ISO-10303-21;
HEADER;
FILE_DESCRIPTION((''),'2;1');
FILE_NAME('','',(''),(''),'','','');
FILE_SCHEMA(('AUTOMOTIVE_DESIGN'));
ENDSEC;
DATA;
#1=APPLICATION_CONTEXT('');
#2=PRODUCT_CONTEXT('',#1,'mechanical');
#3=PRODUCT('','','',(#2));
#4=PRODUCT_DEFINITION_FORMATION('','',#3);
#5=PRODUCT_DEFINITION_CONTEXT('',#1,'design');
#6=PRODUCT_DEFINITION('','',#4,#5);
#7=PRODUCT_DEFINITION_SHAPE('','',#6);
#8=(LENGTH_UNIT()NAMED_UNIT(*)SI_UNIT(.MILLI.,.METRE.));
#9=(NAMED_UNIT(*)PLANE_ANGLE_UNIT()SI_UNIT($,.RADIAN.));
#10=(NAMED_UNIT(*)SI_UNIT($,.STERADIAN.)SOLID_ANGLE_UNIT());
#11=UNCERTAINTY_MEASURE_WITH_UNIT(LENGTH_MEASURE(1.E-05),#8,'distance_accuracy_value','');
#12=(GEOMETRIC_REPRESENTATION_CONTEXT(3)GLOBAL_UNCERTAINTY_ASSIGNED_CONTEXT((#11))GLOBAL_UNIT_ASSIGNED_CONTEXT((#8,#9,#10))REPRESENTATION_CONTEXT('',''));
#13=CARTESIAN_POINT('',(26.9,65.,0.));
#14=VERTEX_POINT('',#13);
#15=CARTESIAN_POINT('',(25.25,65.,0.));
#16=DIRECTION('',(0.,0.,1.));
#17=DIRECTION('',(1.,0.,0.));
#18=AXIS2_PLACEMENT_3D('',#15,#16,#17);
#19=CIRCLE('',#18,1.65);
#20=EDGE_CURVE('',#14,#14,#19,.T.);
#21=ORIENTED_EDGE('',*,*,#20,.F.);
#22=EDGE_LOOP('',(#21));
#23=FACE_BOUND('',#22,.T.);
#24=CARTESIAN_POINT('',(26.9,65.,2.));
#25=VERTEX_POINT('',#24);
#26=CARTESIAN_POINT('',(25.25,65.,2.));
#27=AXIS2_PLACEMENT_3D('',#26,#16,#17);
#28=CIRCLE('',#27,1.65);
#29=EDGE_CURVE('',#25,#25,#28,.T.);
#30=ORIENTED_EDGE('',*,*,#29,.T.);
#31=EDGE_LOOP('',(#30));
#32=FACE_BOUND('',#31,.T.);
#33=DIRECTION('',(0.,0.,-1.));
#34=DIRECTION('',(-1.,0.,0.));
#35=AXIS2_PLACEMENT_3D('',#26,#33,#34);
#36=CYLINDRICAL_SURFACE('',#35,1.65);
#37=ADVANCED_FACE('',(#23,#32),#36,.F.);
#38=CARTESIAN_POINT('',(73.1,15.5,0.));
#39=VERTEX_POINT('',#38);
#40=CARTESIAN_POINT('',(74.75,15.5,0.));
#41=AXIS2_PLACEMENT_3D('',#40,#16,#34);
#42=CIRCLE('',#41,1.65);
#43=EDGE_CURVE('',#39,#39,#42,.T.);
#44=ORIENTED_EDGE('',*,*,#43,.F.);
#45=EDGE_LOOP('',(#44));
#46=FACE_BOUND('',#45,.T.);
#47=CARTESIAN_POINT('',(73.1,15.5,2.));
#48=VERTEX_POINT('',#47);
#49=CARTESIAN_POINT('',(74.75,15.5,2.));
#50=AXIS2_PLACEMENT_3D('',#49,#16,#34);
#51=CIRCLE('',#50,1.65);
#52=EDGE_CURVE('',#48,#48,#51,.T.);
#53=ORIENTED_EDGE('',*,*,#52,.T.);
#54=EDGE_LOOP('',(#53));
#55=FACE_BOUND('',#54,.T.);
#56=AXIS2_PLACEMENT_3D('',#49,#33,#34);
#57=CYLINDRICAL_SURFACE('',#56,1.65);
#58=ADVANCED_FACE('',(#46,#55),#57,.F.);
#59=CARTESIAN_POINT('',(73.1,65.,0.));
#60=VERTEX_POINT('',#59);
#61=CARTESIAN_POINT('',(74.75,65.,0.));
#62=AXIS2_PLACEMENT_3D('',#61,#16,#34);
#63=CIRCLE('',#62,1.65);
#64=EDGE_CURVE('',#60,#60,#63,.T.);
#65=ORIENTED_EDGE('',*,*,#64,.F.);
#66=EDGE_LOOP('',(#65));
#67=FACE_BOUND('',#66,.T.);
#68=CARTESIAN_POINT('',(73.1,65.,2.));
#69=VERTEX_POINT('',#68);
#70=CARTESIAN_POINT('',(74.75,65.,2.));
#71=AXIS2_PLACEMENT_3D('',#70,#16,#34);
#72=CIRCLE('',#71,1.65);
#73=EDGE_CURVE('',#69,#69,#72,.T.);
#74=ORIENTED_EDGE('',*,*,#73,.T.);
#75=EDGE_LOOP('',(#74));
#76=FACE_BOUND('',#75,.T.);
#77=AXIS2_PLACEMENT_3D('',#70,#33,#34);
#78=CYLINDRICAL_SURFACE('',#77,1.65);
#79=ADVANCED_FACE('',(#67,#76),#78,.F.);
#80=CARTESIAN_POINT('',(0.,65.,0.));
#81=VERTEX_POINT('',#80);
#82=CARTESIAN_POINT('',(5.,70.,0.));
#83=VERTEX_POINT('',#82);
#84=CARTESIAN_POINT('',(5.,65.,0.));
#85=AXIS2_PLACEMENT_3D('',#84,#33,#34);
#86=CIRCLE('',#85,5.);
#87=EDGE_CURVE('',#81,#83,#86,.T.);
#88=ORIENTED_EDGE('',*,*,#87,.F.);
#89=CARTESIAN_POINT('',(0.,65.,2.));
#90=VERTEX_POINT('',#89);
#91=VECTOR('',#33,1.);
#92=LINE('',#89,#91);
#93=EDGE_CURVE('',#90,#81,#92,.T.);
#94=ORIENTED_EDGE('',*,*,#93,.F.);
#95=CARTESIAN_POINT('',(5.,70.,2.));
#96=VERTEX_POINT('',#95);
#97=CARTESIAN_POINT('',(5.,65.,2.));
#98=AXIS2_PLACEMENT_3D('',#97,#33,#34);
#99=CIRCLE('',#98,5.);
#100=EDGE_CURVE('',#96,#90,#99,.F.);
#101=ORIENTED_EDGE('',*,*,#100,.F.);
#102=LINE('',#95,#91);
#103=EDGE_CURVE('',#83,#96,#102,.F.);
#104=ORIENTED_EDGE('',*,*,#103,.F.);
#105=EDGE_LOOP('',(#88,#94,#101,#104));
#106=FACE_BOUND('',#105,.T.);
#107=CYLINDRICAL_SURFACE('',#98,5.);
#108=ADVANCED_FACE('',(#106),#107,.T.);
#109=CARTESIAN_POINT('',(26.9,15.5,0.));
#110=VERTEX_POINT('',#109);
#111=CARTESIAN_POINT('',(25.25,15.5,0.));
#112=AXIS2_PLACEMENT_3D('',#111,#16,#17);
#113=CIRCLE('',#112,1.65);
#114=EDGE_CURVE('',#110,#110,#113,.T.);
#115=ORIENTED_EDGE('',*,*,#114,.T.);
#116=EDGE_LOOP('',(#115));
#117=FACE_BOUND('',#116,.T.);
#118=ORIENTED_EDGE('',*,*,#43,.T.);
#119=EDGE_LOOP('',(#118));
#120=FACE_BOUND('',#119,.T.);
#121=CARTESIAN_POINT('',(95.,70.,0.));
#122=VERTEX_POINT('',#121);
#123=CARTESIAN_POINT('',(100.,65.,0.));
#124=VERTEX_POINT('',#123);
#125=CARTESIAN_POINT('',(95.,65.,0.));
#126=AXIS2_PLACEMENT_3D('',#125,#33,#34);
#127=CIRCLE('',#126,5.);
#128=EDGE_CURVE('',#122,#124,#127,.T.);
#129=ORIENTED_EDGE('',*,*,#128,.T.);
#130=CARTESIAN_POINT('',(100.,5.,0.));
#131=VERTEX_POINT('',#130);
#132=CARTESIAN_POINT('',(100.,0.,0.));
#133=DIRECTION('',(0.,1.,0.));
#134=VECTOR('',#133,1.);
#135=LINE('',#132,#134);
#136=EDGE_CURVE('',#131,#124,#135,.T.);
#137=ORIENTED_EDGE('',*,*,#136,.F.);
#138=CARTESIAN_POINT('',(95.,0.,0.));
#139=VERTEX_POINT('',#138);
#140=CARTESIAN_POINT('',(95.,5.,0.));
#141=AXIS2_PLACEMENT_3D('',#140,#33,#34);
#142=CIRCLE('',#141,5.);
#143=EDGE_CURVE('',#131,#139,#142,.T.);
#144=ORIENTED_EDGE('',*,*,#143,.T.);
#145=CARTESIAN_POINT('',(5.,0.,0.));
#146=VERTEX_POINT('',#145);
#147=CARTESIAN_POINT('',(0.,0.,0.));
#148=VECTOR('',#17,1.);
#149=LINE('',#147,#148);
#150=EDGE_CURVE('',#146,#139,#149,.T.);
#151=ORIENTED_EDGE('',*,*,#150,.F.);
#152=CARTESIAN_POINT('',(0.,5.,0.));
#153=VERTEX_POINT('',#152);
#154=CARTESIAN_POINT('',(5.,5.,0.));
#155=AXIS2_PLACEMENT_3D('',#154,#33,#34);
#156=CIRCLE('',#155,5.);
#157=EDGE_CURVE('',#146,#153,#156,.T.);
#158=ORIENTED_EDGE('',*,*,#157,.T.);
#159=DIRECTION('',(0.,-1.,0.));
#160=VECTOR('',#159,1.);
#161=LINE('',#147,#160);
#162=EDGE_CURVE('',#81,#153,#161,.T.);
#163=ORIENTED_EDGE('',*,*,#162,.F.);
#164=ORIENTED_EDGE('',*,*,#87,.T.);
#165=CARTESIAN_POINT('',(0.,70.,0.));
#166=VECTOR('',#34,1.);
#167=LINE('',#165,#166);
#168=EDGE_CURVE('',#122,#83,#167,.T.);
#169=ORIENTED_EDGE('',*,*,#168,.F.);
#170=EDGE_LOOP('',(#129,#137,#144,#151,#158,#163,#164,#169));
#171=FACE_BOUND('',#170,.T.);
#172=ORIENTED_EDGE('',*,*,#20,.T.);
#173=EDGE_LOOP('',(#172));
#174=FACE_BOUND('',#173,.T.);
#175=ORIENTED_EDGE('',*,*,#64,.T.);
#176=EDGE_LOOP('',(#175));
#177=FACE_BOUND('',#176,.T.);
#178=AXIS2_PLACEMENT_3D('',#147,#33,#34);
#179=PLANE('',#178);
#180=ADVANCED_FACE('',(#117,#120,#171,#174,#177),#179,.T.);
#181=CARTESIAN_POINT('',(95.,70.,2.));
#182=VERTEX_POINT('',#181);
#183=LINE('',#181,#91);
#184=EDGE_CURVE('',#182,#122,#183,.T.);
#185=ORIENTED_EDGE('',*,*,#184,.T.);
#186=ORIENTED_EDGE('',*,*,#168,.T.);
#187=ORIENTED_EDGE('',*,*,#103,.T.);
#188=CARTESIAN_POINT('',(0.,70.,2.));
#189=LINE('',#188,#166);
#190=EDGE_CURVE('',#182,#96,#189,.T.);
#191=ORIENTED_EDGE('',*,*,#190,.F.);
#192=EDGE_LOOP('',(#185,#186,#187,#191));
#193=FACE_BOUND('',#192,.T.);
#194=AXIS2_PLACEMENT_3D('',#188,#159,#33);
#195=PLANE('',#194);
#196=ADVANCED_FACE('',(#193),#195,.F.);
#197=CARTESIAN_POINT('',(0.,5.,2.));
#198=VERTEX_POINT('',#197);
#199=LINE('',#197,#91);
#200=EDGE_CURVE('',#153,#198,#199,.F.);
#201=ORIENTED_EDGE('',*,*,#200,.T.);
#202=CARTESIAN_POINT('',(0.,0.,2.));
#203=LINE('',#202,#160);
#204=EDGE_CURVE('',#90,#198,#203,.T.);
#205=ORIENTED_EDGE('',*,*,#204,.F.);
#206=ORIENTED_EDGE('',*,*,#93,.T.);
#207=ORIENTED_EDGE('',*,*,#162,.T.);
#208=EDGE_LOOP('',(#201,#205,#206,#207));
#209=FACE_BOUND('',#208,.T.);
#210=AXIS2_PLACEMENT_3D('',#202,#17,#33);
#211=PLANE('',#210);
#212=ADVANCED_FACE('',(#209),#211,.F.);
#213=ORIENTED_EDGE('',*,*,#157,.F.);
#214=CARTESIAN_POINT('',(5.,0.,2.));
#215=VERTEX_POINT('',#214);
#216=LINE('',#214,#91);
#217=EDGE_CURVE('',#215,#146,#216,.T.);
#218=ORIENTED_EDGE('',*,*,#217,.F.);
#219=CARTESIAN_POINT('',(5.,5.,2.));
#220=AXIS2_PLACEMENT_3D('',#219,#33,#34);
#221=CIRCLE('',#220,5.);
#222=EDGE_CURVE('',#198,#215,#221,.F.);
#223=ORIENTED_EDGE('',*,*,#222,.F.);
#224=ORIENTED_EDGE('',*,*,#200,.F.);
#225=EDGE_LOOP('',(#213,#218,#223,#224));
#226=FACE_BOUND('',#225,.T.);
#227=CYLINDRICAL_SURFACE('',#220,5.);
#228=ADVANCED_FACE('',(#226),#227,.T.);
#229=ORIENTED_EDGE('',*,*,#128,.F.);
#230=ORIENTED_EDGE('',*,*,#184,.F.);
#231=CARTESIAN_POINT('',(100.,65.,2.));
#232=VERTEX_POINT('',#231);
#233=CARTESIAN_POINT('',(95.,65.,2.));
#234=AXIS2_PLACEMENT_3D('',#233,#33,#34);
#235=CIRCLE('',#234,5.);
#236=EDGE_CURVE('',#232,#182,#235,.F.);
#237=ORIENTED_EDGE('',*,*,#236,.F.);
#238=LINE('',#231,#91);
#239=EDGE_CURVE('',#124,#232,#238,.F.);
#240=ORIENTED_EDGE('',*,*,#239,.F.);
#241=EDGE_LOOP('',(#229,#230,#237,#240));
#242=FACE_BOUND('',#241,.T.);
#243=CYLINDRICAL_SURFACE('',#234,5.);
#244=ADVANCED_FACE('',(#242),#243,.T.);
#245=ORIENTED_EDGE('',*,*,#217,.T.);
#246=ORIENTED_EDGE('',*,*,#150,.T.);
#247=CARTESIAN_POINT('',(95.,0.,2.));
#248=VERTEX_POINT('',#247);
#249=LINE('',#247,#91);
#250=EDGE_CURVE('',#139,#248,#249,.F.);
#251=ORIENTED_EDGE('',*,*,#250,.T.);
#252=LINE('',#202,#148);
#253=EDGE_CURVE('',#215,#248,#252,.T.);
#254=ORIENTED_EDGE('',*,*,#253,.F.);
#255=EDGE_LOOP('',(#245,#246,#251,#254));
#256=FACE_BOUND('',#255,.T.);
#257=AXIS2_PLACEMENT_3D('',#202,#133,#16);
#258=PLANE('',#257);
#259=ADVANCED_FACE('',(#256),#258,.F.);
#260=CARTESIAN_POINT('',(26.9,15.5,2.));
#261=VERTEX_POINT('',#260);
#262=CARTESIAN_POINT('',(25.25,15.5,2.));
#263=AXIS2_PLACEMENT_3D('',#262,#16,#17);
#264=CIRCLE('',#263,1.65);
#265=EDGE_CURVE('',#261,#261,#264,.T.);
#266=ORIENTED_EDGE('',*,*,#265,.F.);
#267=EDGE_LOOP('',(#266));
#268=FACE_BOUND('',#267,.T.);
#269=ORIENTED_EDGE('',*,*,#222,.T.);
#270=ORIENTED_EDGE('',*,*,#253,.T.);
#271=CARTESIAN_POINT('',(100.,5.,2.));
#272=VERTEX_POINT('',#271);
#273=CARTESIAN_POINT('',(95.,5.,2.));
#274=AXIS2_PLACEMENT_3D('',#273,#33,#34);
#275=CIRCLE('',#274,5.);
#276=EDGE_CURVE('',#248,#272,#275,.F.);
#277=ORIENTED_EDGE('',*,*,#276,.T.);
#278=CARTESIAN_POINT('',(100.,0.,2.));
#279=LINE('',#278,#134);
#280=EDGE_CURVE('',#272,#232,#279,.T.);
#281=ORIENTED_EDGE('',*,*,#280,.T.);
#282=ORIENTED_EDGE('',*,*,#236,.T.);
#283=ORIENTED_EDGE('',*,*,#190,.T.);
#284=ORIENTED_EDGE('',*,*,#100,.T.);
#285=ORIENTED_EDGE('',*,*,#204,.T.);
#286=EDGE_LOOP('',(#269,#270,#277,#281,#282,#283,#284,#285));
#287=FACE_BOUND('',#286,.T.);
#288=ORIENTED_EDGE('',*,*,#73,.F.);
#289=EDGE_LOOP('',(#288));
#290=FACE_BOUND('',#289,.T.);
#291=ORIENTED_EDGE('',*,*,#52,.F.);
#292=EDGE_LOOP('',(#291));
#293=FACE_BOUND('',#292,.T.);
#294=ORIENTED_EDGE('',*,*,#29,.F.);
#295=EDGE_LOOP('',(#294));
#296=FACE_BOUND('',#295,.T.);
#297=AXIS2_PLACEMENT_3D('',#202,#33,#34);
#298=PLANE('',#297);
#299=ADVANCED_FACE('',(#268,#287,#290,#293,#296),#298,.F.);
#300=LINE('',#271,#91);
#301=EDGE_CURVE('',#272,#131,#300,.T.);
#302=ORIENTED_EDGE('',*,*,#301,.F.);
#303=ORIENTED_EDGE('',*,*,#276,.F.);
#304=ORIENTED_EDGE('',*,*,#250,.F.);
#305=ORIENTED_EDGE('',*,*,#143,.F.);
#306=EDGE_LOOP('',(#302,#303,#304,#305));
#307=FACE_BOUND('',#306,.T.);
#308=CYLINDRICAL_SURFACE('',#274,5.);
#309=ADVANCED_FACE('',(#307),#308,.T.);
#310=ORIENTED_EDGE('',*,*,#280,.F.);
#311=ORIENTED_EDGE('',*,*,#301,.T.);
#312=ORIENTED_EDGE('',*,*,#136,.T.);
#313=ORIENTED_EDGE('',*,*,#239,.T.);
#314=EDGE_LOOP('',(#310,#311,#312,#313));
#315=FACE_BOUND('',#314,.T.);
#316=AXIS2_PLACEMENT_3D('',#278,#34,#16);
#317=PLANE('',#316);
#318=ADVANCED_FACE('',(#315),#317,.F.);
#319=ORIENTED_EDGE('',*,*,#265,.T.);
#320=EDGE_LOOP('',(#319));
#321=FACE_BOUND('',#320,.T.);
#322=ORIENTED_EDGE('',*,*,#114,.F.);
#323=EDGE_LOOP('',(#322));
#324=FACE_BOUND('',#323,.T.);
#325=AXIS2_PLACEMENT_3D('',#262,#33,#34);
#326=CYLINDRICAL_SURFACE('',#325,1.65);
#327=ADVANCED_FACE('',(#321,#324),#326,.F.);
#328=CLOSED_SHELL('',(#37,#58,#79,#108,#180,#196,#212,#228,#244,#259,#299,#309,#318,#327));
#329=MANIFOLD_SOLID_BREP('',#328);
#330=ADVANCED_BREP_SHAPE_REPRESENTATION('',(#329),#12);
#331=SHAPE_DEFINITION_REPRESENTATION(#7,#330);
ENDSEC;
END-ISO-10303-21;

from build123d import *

# Parameters (mm, degrees)
SKETCH_1_W      = 100
SKETCH_1_H      = 70
SKETCH_1_R      = 1.65
EXTRUDE_1_DEPTH = 2
FILLET_1_R      = 5


with BuildPart() as part:
    # 草图1 → 凸台-拉伸1 (new body)
    with BuildSketch(Plane.XY):
        with Locations((50, 35)):
            Rectangle(SKETCH_1_W, SKETCH_1_H)
        with Locations((25.25, 65)):
            Circle(SKETCH_1_R, mode=Mode.SUBTRACT)
        with Locations((25.25, 15.5)):
            Circle(SKETCH_1_R, mode=Mode.SUBTRACT)
        with Locations((74.75, 15.5)):
            Circle(SKETCH_1_R, mode=Mode.SUBTRACT)
        with Locations((74.75, 65)):
            Circle(SKETCH_1_R, mode=Mode.SUBTRACT)
    extrude(amount=EXTRUDE_1_DEPTH)

    # 圆角1
    fillet_1_edges = [part.edges().sort_by_distance(p)[0] for p in [
        (0, 70, 1),
        (100, 70, 1),
        (100, 0, 1),
        (0, 0, 1),
    ]]
    fillet(fillet_1_edges, radius=FILLET_1_R)


solid = part.part
